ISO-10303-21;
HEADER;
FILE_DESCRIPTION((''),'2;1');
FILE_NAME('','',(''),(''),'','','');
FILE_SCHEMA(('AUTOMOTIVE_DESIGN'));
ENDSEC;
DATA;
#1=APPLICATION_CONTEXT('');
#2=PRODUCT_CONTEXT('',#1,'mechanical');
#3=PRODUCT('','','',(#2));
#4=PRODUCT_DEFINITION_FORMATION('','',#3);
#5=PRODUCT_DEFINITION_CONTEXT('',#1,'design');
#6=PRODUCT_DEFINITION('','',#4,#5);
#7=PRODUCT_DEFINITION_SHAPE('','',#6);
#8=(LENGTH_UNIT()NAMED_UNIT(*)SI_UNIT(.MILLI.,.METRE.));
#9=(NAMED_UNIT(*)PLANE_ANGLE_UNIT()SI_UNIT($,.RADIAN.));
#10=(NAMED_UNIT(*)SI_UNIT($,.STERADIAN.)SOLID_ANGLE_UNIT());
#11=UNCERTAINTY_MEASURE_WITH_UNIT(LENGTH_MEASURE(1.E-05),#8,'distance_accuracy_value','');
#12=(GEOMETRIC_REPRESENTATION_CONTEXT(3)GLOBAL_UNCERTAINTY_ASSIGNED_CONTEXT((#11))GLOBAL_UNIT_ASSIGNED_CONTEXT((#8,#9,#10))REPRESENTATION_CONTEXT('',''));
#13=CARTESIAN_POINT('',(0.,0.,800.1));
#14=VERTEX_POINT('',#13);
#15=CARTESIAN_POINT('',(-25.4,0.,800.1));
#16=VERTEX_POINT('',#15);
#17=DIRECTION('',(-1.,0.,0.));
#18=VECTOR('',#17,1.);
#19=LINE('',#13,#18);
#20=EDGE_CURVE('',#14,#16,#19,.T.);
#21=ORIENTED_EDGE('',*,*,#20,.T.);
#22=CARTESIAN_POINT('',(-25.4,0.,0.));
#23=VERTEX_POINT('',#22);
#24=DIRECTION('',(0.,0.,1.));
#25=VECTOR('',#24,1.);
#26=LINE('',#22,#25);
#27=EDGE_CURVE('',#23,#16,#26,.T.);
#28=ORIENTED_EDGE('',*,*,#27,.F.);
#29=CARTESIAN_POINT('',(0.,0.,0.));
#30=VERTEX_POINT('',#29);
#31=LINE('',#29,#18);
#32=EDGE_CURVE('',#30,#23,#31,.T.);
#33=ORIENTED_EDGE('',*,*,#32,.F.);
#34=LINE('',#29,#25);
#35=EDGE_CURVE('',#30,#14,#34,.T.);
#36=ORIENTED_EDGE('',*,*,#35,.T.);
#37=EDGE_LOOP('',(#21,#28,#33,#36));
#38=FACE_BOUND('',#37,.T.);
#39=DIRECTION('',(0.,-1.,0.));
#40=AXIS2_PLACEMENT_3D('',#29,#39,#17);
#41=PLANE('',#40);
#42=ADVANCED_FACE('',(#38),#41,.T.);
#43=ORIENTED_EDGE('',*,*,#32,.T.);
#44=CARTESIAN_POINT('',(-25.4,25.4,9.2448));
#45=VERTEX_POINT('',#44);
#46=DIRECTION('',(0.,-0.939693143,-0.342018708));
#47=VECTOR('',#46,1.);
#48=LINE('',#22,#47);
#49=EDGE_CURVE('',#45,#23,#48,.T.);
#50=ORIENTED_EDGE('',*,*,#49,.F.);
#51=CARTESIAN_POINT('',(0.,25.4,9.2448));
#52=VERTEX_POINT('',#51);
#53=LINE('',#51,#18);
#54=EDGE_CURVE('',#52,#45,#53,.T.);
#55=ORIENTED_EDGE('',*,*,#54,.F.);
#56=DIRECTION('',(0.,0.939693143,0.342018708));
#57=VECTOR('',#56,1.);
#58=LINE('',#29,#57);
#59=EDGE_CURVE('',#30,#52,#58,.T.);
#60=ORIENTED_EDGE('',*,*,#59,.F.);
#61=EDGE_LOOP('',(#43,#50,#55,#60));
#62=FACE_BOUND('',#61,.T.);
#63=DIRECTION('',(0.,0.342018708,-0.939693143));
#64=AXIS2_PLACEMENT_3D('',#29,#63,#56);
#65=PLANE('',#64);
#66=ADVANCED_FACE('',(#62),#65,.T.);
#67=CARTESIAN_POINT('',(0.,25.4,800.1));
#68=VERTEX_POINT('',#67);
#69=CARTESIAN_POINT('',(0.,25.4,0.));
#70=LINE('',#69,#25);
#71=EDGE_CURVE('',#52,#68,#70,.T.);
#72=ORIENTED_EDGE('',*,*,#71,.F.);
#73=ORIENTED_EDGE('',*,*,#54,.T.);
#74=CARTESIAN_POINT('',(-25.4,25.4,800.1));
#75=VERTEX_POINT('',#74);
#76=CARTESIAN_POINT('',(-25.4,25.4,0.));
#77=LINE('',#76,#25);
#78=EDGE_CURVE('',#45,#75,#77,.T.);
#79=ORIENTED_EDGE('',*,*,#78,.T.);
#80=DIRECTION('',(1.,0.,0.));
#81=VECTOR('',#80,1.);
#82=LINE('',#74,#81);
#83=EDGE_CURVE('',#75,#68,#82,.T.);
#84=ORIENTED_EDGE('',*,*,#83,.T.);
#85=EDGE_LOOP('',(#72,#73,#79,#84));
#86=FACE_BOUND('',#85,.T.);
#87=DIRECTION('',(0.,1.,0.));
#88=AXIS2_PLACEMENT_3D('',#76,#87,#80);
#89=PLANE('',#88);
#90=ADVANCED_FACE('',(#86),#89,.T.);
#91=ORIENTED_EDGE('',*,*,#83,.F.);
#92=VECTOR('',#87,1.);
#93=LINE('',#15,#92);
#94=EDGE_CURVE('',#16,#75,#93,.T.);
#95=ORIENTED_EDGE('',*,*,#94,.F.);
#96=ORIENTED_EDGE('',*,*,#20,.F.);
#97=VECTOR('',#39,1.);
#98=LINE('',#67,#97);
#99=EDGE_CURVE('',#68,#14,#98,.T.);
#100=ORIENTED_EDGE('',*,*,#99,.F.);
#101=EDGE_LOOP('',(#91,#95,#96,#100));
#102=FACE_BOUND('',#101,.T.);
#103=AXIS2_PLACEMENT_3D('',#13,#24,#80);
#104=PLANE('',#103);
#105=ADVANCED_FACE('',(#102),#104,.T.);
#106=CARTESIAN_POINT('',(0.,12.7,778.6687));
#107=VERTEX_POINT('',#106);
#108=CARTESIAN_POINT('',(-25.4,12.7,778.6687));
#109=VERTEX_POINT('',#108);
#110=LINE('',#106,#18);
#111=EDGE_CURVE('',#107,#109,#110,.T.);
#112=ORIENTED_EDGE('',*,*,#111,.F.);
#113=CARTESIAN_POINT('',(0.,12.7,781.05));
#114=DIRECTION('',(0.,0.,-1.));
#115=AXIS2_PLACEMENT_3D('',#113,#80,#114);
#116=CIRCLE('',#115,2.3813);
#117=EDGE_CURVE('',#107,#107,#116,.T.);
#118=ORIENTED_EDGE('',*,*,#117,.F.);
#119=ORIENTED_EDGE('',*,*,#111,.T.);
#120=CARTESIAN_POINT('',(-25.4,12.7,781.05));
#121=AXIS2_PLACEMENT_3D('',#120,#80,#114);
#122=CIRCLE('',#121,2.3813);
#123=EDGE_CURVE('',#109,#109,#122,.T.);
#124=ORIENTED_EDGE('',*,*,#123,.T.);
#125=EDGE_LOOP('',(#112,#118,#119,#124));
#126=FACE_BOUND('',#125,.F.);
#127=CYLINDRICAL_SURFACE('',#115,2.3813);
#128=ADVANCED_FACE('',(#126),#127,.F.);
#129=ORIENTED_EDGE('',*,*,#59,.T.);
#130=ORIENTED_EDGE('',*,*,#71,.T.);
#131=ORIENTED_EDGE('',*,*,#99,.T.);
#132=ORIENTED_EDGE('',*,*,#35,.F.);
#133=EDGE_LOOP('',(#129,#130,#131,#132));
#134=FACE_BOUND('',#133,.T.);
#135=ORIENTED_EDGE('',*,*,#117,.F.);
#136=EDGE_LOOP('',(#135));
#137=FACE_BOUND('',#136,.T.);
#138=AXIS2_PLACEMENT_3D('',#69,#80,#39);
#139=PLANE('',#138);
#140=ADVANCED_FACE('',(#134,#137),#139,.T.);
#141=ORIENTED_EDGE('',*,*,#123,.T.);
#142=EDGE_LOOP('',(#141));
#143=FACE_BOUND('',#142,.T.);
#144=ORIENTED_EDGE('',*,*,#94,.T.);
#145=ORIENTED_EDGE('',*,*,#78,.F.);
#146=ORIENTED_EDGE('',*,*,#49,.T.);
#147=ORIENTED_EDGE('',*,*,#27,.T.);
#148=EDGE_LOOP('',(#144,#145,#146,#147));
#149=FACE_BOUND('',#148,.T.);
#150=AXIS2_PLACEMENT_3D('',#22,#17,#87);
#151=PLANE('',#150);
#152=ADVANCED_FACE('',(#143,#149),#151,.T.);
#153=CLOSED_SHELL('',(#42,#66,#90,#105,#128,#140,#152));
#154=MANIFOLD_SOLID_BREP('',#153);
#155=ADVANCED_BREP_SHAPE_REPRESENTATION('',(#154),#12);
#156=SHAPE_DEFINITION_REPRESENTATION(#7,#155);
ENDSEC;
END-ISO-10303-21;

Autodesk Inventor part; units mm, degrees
ref_plane "YZ Plane" through (0, 0, 0) normal (1, 0, 0) x (0, 1, 0)
ref_plane "XZ Plane" through (0, 0, 0) normal (0, 1, 0) x (-1, 0, 0)
ref_plane "XY Plane" through (0, 0, 0) normal (0, 0, 1) x (1, 0, 0)
sketch "Sketch1" plane through (0, 0, 0) normal (0, 0, 1) x (1, 0, 0)
  line L0 (0, 0) -> (-25.4, 0)
  line L1 (-25.4, 0) -> (-25.4, 25.4)
  line L2 (-25.4, 25.4) -> (0, 25.4)
  line L3 (0, 25.4) -> (0, 0)
  dimension "d0" = 25.4
  dimension "d1" = 25.4
extrude "Extrusion1" add sketch "Sketch1" along normal blind 800.1
sketch "Sketch2" plane through (0, 0, 0) normal (1, 0, 0) x (0, 0, -1)
  circle A0 centre (-781.05, 12.7) radius 2.3813
  line L0 (0, 25.4) -> (-800.1, 25.4) projected
  line L1 (-800.1, 0) -> (-800.1, 25.4) projected
  line L2 (0, 0) -> (-800.1, 0) projected
  line L3 (0, 0) -> (0, 25.4) projected
  line L4 (0, 0) -> (-9.2448, 25.4)
  line L5 (0, 25.4) -> (-800.1, 25.4) projected
  line L6 (0, 0) -> (27.0301, 0) construction
  point P0 (-800.1, 12.7)
  dimension "d4" = 12.7
  dimension "d5" = 19.05
  dimension "d6" = 4.7625
  dimension "d12" = 110
extrude "Extrusion2" cut sketch "Sketch2" against normal through all contours A0 | L3 L4 L0
properties part number "VersaFrame 1x1 ( support corssbars )"
